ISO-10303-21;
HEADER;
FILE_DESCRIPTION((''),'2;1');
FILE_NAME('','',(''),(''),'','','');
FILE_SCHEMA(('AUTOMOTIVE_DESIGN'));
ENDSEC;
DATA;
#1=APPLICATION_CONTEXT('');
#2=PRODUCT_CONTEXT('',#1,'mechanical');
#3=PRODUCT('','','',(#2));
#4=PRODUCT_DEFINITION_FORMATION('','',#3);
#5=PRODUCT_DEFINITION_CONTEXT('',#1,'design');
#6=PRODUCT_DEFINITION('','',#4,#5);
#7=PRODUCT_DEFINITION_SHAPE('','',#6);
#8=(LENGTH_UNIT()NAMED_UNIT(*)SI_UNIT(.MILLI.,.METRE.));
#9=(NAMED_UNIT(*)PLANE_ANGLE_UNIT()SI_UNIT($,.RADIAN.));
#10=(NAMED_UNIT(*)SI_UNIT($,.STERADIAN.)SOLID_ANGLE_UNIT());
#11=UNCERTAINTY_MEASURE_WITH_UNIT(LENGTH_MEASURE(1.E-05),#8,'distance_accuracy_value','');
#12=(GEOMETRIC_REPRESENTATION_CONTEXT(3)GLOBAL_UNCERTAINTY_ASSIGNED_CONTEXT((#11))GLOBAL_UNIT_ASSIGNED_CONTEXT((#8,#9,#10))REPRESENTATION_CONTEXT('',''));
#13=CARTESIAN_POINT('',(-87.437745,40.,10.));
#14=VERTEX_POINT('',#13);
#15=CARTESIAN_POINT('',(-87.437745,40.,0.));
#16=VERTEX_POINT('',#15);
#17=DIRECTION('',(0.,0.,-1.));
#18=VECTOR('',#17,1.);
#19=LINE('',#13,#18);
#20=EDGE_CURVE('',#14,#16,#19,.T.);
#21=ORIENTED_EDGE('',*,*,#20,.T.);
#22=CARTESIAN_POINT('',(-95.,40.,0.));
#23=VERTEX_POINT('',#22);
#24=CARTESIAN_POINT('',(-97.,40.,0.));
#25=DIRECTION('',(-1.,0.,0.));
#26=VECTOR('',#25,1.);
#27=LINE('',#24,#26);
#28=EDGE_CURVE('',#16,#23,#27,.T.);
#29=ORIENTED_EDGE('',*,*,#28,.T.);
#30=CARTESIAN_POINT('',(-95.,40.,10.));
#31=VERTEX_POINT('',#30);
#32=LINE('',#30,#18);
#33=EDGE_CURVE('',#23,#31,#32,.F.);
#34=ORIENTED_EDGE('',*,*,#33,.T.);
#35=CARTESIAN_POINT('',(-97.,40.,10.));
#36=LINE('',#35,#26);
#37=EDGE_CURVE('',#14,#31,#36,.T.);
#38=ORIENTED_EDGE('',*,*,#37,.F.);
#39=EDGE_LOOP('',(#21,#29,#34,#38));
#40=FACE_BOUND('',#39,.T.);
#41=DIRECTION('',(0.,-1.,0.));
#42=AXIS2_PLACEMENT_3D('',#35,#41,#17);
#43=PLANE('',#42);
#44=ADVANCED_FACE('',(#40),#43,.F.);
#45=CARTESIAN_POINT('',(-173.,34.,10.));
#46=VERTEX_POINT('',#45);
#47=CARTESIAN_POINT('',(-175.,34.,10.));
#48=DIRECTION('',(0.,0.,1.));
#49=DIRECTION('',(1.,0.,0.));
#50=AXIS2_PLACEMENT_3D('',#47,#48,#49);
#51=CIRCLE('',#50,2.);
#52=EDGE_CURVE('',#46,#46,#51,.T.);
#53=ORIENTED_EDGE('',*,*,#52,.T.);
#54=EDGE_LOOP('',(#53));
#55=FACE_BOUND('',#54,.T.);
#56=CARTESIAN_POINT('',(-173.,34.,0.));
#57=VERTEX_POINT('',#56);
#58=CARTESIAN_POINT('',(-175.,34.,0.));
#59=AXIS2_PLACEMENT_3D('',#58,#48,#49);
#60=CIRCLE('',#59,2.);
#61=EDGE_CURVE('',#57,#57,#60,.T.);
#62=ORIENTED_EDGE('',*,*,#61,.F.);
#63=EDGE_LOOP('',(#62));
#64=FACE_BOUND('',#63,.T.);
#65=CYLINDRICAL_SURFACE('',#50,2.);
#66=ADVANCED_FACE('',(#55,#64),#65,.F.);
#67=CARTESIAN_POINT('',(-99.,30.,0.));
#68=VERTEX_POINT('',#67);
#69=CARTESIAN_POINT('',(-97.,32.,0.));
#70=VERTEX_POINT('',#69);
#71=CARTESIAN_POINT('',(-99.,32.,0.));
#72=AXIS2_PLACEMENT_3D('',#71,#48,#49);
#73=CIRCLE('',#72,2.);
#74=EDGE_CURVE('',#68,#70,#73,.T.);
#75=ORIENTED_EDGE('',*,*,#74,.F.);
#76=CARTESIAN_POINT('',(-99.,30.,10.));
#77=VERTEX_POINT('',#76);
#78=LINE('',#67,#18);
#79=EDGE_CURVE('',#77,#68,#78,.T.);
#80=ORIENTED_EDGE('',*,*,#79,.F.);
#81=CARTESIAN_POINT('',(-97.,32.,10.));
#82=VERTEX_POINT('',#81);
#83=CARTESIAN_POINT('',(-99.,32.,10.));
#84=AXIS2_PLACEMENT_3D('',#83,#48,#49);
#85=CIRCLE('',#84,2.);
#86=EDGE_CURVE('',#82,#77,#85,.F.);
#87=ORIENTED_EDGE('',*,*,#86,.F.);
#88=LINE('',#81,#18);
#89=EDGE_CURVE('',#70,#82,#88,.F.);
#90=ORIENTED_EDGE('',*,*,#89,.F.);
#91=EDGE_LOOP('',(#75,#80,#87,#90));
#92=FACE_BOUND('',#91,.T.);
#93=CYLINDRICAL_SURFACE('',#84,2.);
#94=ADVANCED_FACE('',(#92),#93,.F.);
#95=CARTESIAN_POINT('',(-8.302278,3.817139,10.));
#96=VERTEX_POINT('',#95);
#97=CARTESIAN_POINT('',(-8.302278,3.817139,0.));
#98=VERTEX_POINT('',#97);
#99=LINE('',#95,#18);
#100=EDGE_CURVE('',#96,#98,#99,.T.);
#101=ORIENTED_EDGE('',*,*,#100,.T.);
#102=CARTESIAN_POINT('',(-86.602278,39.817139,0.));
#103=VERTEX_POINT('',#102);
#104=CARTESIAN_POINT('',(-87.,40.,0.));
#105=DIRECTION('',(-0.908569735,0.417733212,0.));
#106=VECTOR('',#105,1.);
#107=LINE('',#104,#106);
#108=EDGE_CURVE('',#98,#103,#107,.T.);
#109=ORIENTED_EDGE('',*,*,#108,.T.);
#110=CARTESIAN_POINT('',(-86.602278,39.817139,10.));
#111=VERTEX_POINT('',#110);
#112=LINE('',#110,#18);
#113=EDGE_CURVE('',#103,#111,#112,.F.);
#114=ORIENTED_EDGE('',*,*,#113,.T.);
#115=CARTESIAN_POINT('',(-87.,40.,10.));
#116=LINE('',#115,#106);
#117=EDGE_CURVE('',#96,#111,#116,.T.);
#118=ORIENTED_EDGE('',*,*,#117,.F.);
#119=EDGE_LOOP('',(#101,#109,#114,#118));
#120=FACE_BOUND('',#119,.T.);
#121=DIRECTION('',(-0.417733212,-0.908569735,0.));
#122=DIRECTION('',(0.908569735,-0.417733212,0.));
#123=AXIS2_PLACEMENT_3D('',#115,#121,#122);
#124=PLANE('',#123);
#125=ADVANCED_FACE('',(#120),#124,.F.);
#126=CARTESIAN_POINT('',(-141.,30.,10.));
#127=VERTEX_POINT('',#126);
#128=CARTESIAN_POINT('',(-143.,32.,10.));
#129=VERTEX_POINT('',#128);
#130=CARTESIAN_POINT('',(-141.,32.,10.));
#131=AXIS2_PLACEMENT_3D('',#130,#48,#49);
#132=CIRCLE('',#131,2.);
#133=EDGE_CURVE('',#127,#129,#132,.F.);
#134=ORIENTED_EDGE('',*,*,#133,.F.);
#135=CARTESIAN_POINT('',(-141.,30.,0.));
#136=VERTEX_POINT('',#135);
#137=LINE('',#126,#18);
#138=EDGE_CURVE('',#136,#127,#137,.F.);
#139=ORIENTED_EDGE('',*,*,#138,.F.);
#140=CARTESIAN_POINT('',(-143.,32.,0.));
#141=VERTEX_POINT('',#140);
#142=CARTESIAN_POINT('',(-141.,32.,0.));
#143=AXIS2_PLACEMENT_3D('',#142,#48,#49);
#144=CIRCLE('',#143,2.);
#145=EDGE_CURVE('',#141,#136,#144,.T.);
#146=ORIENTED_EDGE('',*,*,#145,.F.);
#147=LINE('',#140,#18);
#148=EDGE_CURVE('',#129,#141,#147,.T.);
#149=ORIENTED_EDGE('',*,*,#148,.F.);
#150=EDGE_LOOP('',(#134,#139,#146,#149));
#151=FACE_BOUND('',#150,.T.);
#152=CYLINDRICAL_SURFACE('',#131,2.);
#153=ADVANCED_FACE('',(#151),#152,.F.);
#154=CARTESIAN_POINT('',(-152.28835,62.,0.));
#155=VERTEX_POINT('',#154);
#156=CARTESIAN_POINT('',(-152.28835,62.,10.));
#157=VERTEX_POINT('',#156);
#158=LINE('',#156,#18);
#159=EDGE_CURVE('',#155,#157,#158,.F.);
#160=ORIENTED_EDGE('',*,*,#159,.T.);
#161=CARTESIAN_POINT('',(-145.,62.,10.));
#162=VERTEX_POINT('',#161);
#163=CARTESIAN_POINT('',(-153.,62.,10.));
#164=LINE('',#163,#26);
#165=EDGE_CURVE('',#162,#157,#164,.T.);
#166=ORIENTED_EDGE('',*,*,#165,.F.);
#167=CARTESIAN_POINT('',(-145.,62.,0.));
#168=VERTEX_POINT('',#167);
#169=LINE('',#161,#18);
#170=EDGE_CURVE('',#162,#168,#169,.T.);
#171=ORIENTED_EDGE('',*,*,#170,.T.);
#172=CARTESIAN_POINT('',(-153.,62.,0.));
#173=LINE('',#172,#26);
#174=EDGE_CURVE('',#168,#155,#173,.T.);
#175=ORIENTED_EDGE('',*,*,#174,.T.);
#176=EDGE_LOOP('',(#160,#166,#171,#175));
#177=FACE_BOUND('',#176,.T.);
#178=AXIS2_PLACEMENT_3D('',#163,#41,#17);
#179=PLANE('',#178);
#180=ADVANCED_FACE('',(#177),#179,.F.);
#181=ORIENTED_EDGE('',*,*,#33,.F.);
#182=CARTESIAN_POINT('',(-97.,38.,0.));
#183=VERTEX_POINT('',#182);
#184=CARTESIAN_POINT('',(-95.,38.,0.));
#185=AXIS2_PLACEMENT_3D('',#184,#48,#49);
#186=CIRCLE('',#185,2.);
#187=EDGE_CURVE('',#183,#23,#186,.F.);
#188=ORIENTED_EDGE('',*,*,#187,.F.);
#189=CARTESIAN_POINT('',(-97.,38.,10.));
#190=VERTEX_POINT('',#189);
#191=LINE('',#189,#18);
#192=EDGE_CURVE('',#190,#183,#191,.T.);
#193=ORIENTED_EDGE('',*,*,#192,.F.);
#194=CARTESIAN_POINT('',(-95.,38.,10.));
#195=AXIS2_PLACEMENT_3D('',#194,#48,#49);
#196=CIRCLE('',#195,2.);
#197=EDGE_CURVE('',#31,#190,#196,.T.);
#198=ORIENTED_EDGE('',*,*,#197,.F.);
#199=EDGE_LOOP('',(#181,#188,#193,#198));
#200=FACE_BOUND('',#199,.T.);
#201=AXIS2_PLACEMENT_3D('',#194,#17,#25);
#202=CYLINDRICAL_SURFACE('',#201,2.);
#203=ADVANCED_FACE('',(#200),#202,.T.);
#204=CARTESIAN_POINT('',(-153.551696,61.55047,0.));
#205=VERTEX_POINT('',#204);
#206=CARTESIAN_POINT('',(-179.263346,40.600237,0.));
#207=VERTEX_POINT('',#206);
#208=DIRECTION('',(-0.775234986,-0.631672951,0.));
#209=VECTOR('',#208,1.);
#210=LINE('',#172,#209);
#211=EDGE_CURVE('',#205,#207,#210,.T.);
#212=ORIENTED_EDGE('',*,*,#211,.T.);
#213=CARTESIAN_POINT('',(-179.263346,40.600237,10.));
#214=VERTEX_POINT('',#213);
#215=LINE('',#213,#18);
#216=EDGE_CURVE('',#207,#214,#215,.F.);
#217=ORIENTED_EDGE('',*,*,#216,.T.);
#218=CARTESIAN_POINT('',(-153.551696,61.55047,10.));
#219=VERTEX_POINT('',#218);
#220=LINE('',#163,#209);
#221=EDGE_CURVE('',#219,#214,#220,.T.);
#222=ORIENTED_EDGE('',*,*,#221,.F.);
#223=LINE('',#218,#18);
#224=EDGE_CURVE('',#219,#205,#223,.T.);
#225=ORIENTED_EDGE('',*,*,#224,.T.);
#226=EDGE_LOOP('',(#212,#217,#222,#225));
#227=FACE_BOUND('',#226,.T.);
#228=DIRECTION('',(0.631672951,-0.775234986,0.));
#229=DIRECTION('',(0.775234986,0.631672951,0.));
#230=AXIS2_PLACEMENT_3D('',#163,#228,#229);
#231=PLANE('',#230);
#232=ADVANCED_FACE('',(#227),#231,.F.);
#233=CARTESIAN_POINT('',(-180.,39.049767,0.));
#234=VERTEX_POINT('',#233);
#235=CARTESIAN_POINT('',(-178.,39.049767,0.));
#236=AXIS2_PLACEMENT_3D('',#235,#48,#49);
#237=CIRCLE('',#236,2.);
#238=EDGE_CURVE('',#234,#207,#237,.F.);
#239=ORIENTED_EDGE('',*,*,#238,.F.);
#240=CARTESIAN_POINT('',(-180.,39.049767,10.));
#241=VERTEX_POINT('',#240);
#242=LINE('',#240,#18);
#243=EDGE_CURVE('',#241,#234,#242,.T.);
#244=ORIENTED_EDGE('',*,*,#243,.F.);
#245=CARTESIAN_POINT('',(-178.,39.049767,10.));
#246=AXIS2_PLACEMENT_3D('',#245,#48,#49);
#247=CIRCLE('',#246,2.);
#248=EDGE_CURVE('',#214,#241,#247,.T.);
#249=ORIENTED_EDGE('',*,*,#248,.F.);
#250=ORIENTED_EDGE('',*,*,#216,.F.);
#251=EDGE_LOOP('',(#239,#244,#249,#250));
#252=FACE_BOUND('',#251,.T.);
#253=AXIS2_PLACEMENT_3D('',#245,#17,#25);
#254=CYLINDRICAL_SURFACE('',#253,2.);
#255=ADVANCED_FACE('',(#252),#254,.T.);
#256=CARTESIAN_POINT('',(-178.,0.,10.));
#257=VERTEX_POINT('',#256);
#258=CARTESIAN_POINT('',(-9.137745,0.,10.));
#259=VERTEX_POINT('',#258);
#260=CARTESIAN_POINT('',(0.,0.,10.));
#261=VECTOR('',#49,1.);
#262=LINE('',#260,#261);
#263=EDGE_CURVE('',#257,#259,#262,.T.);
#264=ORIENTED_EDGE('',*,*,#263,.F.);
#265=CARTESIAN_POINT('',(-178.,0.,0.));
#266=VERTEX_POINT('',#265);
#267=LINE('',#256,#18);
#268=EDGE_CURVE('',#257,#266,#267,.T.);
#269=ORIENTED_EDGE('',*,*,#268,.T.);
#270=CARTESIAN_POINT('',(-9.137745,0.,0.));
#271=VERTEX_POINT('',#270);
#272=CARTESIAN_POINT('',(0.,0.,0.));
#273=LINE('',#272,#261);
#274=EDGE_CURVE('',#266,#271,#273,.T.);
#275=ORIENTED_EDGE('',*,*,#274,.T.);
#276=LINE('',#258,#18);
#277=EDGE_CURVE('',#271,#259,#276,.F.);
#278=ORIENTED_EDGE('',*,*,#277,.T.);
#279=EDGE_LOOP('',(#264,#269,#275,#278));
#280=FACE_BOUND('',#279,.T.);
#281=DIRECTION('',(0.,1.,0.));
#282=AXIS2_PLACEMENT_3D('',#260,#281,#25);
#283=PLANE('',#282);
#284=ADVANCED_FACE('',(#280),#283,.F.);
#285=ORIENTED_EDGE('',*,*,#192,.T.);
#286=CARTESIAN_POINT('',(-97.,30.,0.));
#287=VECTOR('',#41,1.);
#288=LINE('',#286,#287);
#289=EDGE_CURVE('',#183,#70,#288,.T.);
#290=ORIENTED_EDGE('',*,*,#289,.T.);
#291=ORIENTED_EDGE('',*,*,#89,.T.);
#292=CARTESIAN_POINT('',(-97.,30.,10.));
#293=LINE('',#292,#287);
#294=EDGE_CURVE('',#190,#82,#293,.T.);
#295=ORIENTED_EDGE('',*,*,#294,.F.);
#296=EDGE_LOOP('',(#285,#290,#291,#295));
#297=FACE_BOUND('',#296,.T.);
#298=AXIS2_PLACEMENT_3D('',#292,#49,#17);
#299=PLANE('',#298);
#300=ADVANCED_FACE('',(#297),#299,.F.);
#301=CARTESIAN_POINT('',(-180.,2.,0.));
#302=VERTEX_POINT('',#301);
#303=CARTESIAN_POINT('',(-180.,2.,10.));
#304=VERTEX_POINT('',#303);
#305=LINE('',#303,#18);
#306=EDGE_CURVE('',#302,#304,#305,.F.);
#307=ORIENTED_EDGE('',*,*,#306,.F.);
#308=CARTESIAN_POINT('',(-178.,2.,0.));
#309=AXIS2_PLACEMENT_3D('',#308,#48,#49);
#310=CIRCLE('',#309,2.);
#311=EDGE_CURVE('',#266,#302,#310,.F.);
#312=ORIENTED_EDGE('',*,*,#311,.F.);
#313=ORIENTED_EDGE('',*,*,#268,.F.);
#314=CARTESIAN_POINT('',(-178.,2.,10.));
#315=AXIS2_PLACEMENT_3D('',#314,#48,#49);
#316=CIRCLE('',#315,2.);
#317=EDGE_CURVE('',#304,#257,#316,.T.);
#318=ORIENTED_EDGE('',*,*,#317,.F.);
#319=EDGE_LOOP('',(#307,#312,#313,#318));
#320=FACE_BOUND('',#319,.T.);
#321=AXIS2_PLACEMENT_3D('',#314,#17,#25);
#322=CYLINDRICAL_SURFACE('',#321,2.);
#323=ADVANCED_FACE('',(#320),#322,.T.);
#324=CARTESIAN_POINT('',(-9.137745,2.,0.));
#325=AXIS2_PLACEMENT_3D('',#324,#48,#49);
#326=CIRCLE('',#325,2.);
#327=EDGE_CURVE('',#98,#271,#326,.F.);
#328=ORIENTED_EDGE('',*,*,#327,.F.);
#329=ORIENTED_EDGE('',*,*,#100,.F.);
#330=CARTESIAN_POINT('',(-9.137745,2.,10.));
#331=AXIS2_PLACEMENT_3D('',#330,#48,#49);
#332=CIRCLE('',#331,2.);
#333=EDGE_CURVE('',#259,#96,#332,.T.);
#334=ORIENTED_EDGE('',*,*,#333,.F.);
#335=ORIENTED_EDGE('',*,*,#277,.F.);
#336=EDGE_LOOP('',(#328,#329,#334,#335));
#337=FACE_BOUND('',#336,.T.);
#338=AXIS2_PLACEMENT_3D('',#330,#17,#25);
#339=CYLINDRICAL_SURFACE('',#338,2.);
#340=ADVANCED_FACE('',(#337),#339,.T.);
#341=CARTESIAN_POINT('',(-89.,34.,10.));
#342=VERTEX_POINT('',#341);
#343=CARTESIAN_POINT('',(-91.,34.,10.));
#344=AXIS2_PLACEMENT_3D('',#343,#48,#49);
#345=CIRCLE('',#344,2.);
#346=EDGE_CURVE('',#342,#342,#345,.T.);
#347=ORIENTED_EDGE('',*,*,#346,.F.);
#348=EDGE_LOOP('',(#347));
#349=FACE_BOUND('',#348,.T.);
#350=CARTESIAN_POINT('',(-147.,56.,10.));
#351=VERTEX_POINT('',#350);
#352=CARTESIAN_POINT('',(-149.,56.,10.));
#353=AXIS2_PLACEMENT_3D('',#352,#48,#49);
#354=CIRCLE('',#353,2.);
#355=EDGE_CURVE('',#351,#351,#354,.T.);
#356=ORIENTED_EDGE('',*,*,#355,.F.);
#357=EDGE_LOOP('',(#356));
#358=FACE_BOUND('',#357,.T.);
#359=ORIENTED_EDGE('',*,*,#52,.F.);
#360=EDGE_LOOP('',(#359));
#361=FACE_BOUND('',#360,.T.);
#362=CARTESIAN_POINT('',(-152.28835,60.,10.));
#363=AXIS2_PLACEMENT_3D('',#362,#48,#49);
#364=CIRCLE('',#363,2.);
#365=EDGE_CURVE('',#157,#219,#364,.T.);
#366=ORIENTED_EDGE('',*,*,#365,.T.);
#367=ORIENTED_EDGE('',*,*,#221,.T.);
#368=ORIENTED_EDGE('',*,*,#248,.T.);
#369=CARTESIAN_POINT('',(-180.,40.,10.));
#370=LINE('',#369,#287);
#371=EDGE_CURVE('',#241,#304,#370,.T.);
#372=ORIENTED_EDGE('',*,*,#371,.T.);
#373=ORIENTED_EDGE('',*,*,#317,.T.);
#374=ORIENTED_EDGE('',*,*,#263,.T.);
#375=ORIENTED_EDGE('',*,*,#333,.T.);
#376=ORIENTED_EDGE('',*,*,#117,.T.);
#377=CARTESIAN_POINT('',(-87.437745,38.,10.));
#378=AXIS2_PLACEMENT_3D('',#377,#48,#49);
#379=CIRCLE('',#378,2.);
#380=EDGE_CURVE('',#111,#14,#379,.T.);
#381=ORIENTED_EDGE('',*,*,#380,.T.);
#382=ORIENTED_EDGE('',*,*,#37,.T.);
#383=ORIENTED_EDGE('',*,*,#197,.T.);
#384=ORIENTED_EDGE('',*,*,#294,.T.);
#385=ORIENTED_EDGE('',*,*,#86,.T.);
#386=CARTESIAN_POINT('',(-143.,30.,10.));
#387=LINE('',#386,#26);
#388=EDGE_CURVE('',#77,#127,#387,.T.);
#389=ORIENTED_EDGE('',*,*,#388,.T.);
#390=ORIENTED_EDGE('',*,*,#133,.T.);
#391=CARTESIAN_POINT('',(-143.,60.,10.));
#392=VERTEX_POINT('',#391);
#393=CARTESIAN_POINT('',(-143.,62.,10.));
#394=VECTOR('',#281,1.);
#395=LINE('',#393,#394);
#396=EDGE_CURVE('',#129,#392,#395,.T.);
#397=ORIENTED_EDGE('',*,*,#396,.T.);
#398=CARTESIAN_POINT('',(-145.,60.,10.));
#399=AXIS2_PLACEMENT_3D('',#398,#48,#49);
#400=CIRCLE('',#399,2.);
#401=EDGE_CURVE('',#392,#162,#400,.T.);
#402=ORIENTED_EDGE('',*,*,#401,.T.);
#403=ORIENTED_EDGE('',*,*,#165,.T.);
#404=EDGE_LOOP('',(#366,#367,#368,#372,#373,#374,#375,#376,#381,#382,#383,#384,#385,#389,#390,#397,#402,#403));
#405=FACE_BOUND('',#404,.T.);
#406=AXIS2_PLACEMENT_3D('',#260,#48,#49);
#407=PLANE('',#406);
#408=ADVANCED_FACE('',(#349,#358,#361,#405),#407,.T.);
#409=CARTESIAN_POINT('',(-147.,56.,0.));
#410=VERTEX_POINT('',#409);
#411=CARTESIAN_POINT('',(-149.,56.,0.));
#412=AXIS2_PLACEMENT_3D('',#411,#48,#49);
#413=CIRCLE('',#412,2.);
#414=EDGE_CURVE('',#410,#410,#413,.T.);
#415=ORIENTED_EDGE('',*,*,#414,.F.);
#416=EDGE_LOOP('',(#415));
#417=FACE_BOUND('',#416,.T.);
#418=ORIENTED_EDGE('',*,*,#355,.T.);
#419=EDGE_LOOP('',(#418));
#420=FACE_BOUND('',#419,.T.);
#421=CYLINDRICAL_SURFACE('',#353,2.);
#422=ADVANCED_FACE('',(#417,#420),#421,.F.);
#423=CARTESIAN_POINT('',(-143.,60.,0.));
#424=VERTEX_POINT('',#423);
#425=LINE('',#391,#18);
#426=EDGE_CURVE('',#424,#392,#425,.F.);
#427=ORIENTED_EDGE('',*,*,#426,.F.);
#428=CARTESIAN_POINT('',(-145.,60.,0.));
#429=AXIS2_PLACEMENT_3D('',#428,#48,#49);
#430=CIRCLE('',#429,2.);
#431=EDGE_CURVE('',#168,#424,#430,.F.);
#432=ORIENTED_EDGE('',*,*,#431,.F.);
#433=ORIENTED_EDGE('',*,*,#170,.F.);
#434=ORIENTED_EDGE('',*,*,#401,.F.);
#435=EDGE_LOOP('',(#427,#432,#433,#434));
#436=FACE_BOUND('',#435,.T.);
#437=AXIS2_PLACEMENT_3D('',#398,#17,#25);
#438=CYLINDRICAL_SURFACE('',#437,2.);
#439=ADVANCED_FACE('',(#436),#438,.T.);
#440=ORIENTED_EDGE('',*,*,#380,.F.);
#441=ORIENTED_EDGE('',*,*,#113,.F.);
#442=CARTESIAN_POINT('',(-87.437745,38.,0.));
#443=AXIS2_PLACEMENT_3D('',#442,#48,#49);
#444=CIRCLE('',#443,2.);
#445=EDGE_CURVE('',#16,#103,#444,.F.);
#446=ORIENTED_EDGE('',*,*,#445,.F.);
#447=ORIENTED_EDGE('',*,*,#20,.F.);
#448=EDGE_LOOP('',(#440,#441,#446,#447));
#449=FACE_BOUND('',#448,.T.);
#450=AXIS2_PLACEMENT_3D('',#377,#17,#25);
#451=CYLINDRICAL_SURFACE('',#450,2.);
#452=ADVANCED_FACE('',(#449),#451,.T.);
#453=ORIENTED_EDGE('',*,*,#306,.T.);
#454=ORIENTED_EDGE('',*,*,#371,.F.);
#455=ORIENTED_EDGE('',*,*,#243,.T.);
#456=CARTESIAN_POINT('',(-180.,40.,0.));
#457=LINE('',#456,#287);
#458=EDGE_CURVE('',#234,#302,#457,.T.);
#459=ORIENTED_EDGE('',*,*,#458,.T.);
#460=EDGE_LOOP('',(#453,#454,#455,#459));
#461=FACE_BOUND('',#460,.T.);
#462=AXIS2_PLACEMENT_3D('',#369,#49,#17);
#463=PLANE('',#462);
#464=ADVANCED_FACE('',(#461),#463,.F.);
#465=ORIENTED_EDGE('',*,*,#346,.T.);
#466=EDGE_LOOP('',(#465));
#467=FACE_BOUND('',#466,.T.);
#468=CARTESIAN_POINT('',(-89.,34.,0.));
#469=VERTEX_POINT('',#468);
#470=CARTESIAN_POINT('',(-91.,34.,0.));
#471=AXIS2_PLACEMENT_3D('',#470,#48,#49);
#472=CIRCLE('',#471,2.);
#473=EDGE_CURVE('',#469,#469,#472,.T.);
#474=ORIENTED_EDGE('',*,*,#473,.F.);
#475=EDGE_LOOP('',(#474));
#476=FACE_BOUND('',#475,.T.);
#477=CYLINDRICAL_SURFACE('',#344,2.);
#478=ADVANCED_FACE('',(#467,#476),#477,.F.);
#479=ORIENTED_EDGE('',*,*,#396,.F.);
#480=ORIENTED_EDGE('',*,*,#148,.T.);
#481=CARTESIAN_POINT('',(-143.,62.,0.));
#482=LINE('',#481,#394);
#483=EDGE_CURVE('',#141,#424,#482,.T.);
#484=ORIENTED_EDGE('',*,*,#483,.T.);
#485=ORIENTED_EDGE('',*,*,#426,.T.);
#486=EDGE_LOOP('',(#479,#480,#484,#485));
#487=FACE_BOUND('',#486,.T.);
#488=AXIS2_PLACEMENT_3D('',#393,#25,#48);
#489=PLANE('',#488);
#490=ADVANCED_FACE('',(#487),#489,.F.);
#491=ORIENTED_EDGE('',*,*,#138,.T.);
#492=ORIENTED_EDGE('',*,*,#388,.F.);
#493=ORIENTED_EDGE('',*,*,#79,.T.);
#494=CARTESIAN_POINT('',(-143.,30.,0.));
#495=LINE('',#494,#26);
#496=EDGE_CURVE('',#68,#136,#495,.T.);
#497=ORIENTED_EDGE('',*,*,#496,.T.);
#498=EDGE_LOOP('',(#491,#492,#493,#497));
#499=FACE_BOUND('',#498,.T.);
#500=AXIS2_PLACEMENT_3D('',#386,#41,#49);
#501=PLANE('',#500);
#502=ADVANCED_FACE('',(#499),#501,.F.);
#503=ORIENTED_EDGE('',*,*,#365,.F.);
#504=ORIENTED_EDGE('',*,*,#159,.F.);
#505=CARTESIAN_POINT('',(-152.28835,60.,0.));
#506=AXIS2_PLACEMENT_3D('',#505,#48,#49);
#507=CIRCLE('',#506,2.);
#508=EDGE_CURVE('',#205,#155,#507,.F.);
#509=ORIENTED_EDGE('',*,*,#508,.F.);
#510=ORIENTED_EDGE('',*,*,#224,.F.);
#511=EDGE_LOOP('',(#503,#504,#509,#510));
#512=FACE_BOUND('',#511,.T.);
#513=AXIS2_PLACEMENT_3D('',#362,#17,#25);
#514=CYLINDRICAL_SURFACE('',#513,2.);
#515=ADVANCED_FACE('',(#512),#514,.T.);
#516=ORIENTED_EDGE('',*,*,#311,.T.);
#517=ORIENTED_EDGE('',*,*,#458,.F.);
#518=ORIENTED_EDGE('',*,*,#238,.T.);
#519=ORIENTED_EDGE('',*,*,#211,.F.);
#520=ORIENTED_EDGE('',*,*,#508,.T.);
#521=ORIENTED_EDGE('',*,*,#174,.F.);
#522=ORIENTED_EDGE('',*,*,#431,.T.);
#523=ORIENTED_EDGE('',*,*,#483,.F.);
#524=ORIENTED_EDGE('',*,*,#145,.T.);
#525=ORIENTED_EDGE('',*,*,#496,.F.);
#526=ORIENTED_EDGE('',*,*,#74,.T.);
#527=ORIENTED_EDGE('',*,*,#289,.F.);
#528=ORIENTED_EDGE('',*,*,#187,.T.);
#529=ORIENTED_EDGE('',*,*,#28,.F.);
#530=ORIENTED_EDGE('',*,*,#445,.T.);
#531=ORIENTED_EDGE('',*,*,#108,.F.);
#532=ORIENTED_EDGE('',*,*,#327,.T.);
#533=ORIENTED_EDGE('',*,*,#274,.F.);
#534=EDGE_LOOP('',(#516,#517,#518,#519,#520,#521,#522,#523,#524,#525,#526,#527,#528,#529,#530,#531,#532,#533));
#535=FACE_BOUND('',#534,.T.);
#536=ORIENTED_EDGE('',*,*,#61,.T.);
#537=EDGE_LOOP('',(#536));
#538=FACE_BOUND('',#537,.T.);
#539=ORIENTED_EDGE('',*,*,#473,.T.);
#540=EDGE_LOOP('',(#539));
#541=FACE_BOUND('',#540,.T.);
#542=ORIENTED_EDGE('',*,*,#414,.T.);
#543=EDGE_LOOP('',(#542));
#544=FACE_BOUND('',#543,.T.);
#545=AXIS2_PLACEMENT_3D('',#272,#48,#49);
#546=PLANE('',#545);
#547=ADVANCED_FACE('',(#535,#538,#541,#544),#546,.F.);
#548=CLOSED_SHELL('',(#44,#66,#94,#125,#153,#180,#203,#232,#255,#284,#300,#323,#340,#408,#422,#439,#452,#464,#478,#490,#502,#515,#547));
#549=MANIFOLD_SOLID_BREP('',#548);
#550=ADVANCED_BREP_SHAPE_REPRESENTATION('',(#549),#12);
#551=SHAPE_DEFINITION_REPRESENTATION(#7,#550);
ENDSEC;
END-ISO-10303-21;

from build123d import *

# Parameters (mm, degrees)
BOSS_EXTRUDE1_DEPTH      = 10
F_4_0_4_DIAMETER_HOLE1_D = 4
FILLET2_R                = 2


with BuildPart() as part:
    # Sketch1 → Boss-Extrude1 (new body)
    with BuildSketch(Plane.XY):
        Polygon((-87, 40), (0, 0), (-180, 0), (-180, 40), (-153, 62), (-143, 62), (-143, 30), (-97, 30), (-97, 40), align=None)
    extrude(amount=BOSS_EXTRUDE1_DEPTH)

    # Ø4.0 (4) Diameter Hole1 (through all)
    with Locations(Plane.XY.offset(10)):
        with Locations((-149, 56), (-91, 34), (-175, 34)):
            Hole(F_4_0_4_DIAMETER_HOLE1_D / 2)

    # Fillet2
    fillet2_edges = [part.edges().sort_by_distance(p)[0] for p in [
        (-153, 62, 5),
        (-143, 62, 5),
        (-143, 30, 5),
        (-97, 30, 5),
        (-97, 40, 5),
        (-87, 40, 5),
        (0, 0, 5),
        (-180, 0, 5),
        (-180, 40, 5),
    ]]
    fillet(fillet2_edges, radius=FILLET2_R)


solid = part.part
